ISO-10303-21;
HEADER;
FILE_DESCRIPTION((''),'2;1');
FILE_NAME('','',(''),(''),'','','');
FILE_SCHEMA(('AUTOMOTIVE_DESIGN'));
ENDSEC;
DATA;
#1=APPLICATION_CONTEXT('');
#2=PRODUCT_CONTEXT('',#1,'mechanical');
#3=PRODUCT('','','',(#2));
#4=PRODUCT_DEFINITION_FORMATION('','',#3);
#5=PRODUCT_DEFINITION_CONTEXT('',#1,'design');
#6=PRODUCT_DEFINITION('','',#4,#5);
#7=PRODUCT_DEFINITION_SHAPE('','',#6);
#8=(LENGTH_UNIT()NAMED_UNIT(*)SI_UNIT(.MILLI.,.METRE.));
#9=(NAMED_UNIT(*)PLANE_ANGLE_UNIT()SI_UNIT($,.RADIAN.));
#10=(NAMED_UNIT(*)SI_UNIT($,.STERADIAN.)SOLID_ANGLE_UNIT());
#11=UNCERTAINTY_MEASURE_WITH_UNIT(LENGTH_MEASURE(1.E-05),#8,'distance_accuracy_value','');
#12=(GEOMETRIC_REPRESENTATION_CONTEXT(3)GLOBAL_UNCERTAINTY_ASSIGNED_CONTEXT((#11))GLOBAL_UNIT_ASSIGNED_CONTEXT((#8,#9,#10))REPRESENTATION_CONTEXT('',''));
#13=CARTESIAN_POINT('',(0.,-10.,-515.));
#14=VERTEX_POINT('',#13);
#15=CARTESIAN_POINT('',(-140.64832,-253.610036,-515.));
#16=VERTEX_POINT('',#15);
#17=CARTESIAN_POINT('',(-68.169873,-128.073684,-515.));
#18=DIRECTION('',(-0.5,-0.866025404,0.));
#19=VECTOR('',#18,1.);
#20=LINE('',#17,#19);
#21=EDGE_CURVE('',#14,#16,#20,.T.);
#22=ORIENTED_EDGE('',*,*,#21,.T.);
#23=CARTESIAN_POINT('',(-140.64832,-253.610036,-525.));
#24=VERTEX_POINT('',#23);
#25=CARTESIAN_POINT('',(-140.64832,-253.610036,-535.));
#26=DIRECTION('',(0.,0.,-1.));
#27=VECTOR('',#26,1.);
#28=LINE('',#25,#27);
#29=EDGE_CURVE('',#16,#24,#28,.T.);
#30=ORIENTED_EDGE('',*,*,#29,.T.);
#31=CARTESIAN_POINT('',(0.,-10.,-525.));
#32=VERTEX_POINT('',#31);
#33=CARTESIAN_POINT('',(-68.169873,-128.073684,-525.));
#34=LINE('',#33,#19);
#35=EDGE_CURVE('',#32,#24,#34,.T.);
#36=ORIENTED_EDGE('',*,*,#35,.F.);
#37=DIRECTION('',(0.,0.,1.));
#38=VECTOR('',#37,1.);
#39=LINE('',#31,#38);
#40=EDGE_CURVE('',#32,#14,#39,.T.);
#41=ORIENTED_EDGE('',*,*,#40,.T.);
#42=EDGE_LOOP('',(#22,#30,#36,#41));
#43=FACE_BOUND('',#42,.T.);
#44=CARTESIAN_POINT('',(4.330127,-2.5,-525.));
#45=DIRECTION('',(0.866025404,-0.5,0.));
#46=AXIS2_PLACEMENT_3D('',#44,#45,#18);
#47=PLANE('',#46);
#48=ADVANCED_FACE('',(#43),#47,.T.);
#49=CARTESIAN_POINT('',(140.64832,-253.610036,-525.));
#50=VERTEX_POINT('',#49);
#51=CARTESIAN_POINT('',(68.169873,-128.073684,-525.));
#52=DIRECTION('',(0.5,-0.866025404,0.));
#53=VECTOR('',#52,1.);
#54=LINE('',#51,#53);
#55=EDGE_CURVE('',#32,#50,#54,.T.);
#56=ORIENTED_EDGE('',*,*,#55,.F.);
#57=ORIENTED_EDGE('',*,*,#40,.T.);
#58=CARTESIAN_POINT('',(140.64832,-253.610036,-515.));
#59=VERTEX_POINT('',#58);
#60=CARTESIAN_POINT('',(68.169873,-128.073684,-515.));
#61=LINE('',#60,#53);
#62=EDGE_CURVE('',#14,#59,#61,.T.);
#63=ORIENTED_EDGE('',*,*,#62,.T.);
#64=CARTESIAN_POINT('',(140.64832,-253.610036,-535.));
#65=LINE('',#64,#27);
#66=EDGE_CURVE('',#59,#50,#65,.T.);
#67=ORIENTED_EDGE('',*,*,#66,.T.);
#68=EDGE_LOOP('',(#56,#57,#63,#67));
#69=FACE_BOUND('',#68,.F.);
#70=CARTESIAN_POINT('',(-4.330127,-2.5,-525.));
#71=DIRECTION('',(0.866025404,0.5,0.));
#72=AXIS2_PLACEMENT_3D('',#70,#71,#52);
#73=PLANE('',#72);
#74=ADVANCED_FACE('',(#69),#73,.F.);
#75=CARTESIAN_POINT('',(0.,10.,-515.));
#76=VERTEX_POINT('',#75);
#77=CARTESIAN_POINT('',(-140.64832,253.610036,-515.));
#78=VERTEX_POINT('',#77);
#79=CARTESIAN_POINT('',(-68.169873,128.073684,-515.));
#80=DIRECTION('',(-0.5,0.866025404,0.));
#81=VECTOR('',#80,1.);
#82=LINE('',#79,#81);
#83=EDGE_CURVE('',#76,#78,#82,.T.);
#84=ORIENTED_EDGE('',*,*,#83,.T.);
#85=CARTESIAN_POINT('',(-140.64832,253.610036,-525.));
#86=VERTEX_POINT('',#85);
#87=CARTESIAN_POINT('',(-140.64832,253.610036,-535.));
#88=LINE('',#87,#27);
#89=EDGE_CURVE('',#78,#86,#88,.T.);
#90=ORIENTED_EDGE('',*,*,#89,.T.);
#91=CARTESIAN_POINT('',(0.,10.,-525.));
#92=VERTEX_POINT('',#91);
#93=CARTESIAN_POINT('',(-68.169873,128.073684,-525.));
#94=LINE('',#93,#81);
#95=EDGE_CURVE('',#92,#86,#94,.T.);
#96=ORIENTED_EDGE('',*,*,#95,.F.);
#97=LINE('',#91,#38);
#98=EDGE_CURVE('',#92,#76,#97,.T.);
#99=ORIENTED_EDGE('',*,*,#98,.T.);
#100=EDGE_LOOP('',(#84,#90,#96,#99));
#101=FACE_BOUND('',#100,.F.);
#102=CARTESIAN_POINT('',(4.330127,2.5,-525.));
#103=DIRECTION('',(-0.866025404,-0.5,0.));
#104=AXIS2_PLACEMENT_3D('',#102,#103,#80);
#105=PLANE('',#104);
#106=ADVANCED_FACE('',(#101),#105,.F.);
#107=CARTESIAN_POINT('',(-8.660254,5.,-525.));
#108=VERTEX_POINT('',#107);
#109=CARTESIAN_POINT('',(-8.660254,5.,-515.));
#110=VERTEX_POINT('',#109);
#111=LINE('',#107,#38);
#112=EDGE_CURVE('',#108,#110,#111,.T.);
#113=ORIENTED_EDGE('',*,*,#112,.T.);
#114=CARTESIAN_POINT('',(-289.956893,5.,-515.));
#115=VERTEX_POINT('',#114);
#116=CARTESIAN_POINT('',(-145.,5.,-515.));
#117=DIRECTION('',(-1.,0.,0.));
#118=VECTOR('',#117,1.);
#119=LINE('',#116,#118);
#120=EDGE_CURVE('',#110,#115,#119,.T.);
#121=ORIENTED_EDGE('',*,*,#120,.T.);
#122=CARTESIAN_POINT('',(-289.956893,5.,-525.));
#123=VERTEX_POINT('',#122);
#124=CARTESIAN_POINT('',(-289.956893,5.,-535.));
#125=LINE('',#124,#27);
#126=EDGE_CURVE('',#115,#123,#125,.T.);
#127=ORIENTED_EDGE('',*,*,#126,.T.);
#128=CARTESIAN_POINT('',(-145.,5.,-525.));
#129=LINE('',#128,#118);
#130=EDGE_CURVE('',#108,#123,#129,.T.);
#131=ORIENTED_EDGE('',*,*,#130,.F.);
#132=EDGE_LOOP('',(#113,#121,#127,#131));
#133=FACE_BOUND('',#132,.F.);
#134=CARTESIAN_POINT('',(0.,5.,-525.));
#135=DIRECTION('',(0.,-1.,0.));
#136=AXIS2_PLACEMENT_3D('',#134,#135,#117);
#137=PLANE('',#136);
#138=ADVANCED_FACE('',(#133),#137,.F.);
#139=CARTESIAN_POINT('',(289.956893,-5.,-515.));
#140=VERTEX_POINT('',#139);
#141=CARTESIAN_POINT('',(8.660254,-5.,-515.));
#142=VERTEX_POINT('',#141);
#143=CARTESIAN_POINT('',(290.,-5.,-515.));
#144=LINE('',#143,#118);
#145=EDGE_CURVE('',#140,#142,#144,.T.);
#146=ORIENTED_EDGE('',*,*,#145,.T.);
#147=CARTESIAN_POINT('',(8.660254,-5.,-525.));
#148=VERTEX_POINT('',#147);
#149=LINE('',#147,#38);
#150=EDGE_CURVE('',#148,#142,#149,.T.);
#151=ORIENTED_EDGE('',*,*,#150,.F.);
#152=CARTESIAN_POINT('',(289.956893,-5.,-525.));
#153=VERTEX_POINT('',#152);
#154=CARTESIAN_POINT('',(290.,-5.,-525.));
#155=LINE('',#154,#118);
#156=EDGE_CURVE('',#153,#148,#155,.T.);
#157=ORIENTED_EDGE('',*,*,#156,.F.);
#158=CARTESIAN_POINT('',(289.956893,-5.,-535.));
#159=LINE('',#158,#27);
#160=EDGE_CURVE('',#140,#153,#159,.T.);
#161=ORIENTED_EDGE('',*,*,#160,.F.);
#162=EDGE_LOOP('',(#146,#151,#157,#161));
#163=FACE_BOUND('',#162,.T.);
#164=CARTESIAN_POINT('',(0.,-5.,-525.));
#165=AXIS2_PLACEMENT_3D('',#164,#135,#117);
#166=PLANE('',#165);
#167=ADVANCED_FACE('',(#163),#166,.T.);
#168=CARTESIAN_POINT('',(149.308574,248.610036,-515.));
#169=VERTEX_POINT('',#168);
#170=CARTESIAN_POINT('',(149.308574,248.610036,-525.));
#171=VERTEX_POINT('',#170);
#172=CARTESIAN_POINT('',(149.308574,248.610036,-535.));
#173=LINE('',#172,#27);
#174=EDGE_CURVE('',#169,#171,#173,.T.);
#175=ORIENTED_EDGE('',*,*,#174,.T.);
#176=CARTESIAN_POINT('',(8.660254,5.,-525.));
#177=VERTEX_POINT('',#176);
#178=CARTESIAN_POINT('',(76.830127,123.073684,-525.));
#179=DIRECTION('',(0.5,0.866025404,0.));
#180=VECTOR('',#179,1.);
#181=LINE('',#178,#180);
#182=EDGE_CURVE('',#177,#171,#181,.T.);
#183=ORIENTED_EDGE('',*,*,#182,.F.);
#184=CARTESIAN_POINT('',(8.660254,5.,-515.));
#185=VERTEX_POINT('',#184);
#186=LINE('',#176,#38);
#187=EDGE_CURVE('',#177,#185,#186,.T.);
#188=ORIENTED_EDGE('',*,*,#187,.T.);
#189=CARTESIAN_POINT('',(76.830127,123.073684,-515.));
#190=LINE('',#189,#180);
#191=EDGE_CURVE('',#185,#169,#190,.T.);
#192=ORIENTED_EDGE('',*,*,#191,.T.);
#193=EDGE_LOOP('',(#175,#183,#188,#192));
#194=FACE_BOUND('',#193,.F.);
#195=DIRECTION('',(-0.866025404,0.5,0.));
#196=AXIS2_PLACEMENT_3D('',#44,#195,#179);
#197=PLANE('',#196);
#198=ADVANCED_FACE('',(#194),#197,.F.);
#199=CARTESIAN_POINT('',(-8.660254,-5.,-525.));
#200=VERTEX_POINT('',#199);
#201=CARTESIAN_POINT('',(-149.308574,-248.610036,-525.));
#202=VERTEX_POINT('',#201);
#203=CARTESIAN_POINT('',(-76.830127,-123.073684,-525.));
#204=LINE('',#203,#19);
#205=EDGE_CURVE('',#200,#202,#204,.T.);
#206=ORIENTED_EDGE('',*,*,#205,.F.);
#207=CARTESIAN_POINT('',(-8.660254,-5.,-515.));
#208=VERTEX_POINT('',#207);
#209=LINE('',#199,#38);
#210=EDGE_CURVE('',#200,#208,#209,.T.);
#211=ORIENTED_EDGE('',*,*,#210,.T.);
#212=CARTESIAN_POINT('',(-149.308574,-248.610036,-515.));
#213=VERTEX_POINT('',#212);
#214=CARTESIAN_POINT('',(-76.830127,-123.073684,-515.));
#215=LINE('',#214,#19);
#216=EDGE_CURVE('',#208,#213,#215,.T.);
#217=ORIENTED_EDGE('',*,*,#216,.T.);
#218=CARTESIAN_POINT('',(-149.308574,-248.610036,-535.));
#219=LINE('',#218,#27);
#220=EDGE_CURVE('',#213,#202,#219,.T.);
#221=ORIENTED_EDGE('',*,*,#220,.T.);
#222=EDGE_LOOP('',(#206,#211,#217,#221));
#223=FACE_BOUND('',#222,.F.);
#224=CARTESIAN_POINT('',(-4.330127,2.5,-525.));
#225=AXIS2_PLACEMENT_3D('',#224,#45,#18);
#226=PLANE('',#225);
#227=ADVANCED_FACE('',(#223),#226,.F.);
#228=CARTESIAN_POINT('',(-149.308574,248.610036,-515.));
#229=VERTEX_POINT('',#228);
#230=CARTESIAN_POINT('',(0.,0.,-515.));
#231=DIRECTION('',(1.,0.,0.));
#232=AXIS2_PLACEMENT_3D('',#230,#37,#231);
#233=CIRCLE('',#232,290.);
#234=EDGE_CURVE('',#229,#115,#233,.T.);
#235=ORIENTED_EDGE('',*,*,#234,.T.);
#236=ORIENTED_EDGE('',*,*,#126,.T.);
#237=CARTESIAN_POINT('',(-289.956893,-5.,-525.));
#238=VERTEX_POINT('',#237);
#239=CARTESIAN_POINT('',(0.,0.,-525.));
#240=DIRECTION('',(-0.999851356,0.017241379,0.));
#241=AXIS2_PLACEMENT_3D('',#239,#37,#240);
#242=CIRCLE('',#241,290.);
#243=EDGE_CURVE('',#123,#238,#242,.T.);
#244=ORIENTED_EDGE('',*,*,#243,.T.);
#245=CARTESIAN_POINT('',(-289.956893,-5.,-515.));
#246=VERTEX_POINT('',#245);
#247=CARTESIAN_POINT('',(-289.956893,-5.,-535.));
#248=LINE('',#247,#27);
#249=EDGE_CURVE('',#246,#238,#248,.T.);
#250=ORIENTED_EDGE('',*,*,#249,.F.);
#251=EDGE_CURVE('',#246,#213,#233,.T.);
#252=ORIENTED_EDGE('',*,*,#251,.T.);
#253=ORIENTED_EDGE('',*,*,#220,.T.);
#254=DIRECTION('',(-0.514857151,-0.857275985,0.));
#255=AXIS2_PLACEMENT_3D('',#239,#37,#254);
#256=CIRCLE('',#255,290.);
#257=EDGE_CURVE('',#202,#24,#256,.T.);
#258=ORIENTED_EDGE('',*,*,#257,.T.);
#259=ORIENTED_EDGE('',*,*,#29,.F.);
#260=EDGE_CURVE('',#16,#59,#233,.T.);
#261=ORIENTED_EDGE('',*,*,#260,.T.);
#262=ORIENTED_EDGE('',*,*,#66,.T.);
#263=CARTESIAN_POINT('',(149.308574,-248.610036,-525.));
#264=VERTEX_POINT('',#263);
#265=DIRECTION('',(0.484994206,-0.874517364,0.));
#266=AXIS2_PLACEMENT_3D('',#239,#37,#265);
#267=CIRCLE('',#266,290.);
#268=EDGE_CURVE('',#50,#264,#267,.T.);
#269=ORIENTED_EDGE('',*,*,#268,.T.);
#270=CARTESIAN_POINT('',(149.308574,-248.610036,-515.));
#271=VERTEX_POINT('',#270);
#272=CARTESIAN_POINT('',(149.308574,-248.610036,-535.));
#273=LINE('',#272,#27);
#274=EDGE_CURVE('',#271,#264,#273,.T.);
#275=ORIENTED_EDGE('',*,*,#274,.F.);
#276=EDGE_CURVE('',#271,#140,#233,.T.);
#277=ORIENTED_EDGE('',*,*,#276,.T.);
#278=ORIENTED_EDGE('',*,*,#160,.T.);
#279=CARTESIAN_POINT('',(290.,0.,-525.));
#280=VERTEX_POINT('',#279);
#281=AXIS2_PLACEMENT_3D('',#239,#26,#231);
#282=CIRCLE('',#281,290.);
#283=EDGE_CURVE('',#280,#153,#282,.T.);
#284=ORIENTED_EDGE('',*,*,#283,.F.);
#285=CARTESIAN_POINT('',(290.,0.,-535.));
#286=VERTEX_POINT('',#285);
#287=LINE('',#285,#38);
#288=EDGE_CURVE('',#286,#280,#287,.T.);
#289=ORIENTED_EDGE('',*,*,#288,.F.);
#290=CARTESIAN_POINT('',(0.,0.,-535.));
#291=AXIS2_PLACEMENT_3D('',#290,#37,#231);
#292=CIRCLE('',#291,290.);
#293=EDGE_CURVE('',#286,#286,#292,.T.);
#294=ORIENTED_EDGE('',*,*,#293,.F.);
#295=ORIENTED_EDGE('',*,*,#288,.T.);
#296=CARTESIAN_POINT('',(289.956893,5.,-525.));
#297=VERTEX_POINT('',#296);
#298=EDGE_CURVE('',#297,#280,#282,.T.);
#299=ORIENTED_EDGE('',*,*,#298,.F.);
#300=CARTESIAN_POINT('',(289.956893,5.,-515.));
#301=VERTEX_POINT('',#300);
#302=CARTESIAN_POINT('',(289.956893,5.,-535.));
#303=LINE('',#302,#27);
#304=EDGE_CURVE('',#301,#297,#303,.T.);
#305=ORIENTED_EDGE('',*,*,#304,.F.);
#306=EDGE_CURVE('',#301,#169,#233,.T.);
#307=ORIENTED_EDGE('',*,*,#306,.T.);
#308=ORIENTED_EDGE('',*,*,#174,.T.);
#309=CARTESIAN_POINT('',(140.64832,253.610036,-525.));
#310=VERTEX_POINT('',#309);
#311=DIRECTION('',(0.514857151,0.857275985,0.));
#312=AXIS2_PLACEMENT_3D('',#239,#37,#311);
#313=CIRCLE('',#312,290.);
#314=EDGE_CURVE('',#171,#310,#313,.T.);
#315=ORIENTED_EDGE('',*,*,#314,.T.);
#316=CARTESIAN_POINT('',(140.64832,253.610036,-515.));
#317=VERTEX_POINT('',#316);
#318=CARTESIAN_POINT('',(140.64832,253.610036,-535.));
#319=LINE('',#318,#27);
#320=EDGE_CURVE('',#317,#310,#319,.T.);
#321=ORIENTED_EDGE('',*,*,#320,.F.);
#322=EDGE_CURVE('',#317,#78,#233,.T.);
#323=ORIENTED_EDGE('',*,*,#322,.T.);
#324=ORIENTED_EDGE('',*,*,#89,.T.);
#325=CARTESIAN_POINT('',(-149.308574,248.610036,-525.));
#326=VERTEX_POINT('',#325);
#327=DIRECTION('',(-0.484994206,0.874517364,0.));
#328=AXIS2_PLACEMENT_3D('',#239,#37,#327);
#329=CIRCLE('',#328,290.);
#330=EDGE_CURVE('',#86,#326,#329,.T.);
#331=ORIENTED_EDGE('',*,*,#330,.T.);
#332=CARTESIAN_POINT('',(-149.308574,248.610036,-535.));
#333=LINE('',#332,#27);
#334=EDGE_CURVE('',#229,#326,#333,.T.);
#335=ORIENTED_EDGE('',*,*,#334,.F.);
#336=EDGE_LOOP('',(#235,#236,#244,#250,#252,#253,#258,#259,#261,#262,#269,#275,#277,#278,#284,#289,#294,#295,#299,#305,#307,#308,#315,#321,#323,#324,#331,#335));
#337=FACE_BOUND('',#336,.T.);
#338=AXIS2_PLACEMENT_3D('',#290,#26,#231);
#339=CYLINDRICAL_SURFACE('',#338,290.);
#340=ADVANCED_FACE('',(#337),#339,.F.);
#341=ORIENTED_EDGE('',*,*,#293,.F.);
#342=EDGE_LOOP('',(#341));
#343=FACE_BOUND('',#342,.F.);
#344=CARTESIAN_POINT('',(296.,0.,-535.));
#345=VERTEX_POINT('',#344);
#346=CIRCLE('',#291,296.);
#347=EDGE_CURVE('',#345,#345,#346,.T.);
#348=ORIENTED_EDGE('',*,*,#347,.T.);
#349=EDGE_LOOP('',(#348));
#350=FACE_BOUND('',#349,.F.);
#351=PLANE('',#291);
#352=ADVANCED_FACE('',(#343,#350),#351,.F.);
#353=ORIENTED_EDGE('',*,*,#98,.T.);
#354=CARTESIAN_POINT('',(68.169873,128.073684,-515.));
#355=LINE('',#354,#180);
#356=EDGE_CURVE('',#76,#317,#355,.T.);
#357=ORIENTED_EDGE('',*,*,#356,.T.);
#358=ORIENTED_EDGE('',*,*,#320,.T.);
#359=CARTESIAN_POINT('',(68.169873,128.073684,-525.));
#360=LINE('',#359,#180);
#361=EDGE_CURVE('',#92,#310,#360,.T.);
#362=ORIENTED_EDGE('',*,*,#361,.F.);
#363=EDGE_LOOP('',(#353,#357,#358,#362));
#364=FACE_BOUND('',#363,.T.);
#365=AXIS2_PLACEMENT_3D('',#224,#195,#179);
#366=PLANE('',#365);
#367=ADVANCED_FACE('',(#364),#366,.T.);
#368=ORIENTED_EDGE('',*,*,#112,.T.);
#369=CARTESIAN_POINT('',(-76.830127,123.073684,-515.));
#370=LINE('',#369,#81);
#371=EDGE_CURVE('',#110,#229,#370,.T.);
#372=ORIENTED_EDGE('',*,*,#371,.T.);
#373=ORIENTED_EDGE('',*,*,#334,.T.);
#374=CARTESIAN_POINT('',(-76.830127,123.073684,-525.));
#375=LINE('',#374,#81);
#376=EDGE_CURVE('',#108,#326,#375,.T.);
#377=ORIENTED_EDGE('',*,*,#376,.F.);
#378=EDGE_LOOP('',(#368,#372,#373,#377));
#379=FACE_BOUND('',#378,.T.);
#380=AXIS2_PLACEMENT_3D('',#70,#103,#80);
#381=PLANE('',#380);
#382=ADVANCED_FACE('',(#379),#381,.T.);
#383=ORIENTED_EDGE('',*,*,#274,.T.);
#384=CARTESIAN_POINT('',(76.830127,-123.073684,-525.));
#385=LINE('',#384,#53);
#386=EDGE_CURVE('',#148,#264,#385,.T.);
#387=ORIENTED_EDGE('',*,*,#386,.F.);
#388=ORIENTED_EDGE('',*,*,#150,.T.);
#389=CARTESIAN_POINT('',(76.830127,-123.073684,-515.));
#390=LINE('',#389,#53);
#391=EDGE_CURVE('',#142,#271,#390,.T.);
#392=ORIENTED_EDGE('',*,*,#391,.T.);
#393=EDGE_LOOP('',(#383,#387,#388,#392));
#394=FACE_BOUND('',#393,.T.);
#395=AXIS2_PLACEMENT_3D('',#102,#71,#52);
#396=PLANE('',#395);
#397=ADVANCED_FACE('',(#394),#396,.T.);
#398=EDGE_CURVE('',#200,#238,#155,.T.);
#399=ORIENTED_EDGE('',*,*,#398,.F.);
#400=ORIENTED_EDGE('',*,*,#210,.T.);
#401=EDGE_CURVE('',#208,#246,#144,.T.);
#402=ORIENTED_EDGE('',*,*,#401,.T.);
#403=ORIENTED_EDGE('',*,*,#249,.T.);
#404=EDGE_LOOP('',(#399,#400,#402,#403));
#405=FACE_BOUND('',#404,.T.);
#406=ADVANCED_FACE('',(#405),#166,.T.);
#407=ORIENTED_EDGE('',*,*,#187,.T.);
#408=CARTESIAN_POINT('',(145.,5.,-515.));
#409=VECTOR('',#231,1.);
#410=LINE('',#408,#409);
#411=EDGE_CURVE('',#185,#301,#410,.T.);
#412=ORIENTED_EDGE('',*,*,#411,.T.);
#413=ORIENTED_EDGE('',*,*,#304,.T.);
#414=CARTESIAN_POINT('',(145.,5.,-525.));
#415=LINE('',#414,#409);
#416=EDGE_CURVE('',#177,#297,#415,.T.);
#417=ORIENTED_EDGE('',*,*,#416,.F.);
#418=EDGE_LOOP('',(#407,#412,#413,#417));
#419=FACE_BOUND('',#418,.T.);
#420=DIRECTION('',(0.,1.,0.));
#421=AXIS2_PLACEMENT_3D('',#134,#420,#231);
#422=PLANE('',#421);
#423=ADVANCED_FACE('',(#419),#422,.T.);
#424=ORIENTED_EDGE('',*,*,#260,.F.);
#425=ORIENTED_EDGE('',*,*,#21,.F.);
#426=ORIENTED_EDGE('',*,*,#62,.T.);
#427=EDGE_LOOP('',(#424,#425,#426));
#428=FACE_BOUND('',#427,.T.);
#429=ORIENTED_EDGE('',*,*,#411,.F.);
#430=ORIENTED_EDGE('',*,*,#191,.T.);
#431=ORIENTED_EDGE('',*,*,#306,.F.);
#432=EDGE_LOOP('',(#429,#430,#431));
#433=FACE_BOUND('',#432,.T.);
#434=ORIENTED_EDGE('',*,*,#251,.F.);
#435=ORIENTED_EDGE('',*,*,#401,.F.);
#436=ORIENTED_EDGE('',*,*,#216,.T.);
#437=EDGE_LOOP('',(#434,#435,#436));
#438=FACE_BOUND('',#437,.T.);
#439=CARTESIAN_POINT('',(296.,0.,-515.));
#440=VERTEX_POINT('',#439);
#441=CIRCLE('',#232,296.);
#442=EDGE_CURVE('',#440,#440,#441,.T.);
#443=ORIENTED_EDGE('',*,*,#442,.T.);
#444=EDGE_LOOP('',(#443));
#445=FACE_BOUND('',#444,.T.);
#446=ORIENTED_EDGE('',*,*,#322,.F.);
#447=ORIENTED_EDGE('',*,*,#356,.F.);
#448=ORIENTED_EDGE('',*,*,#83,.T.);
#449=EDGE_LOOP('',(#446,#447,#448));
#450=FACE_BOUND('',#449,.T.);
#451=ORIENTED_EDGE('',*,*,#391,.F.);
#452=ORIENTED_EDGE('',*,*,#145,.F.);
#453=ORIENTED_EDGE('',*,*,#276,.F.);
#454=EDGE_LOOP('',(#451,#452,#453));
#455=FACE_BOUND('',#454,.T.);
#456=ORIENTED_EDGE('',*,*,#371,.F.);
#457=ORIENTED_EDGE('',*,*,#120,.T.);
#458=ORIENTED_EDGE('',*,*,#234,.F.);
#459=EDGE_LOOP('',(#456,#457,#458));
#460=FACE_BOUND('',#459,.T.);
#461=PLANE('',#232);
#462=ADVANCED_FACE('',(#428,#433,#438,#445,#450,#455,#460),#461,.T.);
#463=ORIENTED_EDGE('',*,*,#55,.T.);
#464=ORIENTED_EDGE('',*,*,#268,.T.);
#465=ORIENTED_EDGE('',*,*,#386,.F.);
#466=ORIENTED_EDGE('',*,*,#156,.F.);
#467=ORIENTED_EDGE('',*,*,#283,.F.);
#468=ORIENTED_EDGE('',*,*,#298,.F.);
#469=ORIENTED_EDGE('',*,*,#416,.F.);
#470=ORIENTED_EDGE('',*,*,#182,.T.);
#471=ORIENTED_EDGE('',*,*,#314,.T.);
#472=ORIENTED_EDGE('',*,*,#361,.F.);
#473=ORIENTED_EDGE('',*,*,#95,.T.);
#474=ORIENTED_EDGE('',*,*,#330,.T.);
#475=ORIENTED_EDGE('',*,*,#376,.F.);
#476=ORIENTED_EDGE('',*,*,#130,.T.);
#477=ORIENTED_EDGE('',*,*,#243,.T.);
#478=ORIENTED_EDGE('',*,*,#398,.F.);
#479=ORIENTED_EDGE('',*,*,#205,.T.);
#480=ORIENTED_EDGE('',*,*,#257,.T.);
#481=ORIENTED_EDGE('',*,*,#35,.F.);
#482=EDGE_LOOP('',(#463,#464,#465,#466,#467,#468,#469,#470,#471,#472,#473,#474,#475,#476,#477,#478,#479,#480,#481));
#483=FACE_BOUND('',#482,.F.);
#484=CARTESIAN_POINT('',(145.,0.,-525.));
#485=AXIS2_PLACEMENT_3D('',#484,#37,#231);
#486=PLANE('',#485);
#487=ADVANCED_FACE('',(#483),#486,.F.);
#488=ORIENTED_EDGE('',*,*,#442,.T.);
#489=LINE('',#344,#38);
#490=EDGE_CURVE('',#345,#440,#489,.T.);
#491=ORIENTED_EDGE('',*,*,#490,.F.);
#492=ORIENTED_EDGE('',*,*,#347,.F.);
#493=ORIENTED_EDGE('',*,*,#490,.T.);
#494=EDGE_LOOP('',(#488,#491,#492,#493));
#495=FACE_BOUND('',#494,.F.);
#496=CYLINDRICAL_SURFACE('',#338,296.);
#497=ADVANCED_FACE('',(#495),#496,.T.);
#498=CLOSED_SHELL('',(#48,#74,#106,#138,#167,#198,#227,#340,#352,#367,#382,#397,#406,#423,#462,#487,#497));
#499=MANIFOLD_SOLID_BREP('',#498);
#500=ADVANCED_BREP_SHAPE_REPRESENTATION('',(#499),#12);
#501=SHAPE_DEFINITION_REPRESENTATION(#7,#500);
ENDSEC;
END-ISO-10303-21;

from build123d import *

# Parameters (mm, degrees)
CYLINDER002_R     = 290
CYLINDER002_DEPTH = 20
CYLINDER001_R     = 296
CYLINDER001_DEPTH = 20
BOX_W             = 290
BOX_H             = 10
BOX_DEPTH         = 10
ARRAY003_COUNT    = 6


with BuildPart() as cilindro002:
    # Cylinder002 → Cylinder002 (new body)
    with BuildSketch(Plane.XY.offset(-535)):
        Circle(CYLINDER002_R)
    extrude(amount=CYLINDER002_DEPTH)


with BuildPart() as cut004:
    # Cylinder001 → Cylinder001 (new body)
    with BuildSketch(Plane.XY.offset(-535)):
        Circle(CYLINDER001_R)
    extrude(amount=CYLINDER001_DEPTH)

    # Cut003: cut Cilindro002
    add(cilindro002.part, mode=Mode.SUBTRACT)


with BuildPart() as fusion015:
    # Box → Box (new body)
    with BuildSketch(Plane(origin=(0, -5, -525), x_dir=(1, 0, 0), z_dir=(0, 0, 1))):
        with Locations((145, 5)):
            Rectangle(BOX_W, BOX_H)
    extrude(amount=BOX_DEPTH)

    # Array003: Fusion015 ×6 about axis
    array003_axis = Axis((0, 0, 0), (0, 0, 1))


with BuildPart() as fusion015_1:
    add(fusion015.part)
    for i in range(1, ARRAY003_COUNT):
        add(fusion015.part.rotate(array003_axis, i * 360 / ARRAY003_COUNT))

    # Fusion013: union Cut004
    add(cut004.part)


solid = fusion015_1.part
